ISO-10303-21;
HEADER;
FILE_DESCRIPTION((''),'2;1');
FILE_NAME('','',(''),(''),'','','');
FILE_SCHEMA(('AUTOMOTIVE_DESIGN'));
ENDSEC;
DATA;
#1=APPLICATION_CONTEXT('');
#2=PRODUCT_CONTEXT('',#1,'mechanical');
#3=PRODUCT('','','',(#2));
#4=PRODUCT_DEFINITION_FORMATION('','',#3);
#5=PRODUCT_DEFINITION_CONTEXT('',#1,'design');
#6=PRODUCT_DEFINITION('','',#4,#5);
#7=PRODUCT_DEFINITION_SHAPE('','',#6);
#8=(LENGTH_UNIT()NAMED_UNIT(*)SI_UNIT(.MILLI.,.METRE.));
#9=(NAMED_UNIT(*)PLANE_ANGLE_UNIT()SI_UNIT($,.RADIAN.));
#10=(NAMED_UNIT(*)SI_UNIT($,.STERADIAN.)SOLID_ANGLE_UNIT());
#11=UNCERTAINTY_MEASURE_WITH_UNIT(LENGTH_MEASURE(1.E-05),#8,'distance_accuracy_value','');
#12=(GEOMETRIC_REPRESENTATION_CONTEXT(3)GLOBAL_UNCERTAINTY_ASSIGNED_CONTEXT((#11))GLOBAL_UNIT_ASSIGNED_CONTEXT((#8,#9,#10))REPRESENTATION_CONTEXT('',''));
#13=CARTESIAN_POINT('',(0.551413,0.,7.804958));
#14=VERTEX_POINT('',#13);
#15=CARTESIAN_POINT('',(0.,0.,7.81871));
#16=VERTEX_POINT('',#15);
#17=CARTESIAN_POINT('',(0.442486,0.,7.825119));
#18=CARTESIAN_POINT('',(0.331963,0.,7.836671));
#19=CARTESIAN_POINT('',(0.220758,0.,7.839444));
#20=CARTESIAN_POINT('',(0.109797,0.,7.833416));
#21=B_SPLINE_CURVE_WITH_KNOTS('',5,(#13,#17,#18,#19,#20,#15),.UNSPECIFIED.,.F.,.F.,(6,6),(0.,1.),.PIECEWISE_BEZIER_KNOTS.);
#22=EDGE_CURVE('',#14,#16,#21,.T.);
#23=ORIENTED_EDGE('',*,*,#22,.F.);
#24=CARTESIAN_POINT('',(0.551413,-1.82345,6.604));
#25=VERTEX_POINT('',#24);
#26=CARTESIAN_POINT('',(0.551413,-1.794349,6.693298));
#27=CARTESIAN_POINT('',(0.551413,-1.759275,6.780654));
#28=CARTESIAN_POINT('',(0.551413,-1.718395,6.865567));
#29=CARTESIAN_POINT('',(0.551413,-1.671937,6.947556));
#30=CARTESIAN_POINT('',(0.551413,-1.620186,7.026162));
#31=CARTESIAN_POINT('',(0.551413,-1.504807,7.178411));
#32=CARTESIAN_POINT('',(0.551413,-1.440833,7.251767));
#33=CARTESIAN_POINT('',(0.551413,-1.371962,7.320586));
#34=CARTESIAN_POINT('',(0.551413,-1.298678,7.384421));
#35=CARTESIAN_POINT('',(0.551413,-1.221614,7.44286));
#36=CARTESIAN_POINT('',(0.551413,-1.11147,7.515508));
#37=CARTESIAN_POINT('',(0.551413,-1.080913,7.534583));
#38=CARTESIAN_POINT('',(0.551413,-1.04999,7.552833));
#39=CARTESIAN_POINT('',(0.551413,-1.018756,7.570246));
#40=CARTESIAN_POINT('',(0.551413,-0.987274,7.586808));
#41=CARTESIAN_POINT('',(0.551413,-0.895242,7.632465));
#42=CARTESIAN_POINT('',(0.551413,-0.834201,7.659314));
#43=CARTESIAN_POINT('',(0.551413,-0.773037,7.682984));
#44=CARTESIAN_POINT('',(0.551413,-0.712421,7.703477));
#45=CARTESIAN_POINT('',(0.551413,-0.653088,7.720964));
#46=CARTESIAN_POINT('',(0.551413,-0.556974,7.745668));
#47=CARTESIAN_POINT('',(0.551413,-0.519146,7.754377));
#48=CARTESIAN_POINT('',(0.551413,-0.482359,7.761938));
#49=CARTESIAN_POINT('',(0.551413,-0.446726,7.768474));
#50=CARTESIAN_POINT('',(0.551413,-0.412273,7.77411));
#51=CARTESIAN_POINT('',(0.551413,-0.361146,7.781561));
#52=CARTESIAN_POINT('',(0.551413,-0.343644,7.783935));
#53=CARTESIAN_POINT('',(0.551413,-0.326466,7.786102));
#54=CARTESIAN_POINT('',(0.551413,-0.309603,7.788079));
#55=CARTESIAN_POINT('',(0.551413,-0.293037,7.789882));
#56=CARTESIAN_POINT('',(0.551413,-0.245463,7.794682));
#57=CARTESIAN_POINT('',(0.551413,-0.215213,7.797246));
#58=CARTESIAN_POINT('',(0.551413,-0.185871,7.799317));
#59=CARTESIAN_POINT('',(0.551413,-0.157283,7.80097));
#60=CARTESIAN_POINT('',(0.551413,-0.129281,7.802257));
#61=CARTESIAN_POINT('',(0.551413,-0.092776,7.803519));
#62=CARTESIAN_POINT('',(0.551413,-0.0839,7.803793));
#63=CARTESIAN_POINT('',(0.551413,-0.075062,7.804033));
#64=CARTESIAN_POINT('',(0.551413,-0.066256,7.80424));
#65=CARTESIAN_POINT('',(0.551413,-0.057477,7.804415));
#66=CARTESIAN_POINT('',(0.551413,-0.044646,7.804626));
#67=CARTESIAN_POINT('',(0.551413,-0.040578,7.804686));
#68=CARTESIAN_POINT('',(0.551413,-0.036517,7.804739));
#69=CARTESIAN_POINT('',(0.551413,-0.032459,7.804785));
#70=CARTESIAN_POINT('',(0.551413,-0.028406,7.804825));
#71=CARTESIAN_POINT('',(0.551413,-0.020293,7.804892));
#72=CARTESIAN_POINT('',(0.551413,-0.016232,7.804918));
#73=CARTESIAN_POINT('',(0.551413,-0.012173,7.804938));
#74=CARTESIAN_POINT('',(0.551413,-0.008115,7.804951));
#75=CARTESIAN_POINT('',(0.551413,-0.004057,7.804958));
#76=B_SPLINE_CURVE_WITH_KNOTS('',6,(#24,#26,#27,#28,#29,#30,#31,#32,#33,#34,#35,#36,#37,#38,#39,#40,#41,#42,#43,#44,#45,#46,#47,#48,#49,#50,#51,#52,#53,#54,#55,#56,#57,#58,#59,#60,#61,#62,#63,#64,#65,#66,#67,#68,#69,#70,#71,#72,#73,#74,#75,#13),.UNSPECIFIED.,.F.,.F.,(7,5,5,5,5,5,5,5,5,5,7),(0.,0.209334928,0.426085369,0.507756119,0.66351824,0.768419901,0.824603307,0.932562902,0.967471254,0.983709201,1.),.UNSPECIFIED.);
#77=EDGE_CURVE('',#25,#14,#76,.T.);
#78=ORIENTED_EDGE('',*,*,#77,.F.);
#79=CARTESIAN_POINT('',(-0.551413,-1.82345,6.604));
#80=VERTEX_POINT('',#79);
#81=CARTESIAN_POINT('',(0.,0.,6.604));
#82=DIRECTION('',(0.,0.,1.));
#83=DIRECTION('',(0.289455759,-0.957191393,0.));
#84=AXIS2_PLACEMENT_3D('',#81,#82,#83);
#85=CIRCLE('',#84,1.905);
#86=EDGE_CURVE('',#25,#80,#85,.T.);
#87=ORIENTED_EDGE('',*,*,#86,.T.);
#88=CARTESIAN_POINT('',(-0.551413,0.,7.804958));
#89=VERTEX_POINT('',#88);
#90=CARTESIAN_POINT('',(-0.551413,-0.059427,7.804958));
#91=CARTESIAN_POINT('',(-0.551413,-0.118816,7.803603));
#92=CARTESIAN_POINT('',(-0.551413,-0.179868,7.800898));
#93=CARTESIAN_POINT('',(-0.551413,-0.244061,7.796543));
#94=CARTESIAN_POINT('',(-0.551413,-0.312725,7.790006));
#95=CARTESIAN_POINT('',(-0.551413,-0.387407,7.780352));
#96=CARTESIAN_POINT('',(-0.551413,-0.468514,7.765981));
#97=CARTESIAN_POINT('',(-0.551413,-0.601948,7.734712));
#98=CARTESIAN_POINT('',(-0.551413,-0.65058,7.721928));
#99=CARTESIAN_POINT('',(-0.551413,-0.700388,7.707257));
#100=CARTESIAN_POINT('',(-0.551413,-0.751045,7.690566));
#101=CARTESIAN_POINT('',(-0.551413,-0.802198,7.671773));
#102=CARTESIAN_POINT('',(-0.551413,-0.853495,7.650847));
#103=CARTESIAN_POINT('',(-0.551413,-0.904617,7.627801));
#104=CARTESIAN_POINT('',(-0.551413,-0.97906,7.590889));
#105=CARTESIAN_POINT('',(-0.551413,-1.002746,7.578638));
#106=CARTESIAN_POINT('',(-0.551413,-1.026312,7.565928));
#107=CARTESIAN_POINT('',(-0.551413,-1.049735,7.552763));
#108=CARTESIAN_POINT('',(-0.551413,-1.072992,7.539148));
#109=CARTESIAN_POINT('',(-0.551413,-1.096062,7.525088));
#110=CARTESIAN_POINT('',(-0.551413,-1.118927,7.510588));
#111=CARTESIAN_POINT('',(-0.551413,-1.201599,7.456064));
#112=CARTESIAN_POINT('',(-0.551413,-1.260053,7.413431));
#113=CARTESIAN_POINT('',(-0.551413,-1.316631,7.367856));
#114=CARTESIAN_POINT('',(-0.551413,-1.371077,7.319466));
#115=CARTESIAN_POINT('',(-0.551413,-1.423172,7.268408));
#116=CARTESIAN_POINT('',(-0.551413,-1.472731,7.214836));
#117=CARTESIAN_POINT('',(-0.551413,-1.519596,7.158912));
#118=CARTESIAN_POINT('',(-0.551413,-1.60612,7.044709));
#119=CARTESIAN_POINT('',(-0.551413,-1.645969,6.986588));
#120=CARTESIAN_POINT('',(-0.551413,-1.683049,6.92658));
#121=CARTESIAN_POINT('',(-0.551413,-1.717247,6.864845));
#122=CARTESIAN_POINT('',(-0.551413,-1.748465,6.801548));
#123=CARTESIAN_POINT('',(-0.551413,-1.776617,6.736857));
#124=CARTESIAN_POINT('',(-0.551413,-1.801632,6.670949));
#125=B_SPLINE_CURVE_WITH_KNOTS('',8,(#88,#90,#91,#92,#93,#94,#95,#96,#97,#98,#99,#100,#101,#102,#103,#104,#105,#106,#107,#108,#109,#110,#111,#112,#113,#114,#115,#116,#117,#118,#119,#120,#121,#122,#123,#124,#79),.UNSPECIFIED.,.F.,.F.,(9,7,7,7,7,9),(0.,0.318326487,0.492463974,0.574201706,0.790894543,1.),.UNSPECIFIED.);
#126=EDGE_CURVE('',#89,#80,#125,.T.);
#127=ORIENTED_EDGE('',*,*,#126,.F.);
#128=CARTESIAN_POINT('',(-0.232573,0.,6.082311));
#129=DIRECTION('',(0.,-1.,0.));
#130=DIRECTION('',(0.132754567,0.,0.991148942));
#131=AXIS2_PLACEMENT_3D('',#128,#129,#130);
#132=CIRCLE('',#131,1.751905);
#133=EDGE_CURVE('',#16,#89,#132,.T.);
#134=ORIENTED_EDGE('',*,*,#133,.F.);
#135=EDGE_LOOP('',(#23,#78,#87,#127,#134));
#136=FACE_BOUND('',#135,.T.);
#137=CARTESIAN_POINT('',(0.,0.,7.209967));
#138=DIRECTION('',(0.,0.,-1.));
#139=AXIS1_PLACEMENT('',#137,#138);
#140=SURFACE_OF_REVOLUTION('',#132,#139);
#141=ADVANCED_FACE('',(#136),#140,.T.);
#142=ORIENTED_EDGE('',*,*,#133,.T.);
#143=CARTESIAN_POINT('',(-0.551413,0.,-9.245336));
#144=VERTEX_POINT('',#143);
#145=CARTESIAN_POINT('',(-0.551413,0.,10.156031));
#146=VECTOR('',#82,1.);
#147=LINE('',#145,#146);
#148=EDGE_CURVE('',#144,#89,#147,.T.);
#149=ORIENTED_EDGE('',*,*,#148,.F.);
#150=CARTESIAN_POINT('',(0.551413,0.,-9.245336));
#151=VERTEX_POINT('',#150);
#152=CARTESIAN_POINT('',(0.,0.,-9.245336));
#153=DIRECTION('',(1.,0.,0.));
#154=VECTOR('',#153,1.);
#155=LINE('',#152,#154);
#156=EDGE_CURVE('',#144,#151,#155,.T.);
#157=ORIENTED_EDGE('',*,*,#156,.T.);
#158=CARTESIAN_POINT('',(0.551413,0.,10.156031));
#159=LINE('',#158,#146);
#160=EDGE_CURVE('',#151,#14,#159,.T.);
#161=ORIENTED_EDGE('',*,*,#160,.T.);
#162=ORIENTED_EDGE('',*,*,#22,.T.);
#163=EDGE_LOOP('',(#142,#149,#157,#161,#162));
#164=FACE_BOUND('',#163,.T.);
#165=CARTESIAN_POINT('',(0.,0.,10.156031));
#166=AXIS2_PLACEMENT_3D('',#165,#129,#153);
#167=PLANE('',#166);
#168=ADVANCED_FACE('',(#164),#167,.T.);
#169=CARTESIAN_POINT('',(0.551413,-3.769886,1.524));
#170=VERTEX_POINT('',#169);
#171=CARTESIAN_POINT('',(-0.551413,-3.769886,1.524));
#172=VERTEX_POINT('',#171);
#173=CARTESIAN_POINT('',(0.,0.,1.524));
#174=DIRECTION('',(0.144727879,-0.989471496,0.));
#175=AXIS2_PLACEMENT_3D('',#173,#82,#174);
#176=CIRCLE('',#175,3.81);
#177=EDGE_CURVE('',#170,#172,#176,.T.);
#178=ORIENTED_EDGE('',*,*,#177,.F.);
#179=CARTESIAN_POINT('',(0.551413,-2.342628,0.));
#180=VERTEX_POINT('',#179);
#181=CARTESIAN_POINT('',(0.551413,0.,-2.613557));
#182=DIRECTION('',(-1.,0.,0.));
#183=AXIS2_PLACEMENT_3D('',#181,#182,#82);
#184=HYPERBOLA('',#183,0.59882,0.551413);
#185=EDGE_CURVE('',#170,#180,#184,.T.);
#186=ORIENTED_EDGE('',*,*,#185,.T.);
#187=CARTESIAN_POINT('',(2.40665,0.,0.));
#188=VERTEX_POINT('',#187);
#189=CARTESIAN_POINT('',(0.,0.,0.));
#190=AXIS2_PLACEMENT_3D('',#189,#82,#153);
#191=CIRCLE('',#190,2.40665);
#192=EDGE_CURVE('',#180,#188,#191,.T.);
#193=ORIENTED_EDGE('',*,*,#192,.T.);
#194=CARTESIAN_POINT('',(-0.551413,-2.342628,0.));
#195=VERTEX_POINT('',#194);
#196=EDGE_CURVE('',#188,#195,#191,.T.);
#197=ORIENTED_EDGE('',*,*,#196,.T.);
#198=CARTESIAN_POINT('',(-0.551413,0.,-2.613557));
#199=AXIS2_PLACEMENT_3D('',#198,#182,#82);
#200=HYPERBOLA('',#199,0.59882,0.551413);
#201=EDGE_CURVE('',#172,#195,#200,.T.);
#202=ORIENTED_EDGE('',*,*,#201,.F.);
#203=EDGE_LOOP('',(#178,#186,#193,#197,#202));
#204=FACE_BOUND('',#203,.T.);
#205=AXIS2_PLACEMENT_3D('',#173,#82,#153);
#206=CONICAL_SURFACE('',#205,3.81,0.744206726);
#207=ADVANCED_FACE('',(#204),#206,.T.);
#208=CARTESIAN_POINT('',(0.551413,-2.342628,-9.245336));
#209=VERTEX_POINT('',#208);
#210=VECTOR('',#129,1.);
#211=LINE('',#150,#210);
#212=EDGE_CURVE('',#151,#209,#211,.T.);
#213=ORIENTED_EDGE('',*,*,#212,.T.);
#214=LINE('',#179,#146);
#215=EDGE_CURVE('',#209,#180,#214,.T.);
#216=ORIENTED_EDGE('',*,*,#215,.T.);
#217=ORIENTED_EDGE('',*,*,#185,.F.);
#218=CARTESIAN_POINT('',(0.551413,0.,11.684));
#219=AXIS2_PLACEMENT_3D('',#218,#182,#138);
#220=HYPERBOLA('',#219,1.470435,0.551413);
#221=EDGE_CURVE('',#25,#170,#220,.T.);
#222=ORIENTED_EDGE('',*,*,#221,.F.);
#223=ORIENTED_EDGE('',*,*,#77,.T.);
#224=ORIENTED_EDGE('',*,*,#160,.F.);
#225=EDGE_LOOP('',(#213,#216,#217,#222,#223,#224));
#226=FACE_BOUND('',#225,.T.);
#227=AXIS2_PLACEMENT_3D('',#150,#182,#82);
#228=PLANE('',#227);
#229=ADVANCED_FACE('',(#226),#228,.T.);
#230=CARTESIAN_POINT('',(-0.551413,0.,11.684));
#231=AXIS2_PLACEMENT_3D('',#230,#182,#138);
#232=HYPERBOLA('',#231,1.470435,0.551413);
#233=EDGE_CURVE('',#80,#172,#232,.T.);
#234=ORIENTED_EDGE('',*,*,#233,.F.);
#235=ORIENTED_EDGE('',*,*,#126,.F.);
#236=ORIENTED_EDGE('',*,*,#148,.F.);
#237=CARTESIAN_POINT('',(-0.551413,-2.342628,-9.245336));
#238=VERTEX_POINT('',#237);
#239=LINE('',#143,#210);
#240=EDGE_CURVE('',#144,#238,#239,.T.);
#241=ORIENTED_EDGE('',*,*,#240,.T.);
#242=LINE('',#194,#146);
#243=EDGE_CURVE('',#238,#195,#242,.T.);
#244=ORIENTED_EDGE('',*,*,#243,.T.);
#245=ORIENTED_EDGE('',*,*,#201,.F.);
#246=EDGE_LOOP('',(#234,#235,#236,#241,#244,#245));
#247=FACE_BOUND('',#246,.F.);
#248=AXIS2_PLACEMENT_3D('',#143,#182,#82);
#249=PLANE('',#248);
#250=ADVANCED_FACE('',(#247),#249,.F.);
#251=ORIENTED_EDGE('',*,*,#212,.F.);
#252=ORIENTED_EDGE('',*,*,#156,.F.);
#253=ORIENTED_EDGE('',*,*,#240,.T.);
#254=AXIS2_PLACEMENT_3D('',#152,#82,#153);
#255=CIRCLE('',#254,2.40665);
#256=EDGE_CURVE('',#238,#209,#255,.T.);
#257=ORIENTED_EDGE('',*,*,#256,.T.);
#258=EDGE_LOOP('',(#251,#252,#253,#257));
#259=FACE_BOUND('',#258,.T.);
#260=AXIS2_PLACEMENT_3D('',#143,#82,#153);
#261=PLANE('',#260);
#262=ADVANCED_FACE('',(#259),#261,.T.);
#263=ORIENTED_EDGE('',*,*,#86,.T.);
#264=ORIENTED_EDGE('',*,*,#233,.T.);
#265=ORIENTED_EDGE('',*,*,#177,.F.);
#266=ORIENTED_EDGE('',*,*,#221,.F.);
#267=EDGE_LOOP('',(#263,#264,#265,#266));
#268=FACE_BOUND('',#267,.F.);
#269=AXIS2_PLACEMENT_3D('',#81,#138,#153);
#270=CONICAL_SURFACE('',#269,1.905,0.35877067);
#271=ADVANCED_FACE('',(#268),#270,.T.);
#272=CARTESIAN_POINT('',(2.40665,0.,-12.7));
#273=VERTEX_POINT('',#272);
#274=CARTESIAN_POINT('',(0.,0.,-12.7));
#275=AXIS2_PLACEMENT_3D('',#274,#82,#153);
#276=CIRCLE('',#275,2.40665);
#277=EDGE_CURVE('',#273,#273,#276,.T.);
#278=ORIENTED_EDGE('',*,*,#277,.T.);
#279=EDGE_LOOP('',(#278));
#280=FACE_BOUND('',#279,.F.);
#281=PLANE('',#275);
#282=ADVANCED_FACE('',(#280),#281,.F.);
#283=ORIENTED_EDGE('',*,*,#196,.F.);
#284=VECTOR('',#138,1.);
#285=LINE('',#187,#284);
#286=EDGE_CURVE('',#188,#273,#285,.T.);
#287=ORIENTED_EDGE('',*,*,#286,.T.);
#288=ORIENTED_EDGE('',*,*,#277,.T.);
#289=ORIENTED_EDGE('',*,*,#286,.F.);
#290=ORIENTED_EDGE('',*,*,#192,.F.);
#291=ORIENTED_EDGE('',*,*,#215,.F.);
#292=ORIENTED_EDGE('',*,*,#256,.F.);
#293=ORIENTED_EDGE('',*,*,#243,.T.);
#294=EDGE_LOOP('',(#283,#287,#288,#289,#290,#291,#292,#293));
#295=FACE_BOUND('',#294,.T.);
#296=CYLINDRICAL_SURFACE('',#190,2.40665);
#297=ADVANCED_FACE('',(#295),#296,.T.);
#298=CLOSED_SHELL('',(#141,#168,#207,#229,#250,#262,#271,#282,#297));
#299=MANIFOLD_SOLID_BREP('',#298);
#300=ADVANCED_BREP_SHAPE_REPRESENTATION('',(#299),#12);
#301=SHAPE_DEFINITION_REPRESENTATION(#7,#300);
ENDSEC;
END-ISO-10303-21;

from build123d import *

# Parameters (mm, degrees)
F4_R      = 1.905
F2_R      = 3.81
F5_FACE_R = 3.81
F0_R      = 2.40665
F7_DEPTH  = 12.7
F12_W     = 1.1028264416
F12_H     = 38.8027336448
F13_DEPTH = 25.4


with BuildPart() as f5:
    # F4 (on offset) → F5 section 0
    with BuildSketch(Plane.XY.offset(6.604)):
        Circle(F4_R)
    # F2 (on offset) → F5 section 1
    with BuildSketch(Plane.XY.offset(1.524)):
        Circle(F2_R)
    loft()

    # F5_face (on face) → F6 section 0
    with BuildSketch(Plane(origin=(0, 0, 1.524), x_dir=(1, 0, 0), z_dir=(0, 0, -1))):
        Circle(F5_FACE_R)
    # F0 (on Top) → F6 section 1
    with BuildSketch(Plane.XY):
        Circle(F0_R)
    loft()

    # F0 (on Top) → F7 (join)
    with BuildSketch(Plane.XY):
        Circle(F0_R)
    extrude(amount=-F7_DEPTH)

    # F9 (on Front) → F11 (revolve)
    with BuildSketch(Plane.XZ):
        with BuildLine():
            Line((0, 6.604), (0, 7.8187098284))
            ThreePointArc((0, 7.8187098284), (-1.1744726921, 7.5594693104), (-1.905, 6.604))
            Line((-1.905, 6.604), (0, 6.604))
        make_face()
    revolve(axis=Axis((0, 0, 7.2099673588), (0, 0, -1)))

    # F12 (on Front) → F13 (cut)
    with BuildSketch(Plane.XZ):
        with Locations((0, 10.1560307667)):
            Rectangle(F12_W, F12_H)
    extrude(amount=F13_DEPTH, mode=Mode.SUBTRACT)


solid = f5.part
